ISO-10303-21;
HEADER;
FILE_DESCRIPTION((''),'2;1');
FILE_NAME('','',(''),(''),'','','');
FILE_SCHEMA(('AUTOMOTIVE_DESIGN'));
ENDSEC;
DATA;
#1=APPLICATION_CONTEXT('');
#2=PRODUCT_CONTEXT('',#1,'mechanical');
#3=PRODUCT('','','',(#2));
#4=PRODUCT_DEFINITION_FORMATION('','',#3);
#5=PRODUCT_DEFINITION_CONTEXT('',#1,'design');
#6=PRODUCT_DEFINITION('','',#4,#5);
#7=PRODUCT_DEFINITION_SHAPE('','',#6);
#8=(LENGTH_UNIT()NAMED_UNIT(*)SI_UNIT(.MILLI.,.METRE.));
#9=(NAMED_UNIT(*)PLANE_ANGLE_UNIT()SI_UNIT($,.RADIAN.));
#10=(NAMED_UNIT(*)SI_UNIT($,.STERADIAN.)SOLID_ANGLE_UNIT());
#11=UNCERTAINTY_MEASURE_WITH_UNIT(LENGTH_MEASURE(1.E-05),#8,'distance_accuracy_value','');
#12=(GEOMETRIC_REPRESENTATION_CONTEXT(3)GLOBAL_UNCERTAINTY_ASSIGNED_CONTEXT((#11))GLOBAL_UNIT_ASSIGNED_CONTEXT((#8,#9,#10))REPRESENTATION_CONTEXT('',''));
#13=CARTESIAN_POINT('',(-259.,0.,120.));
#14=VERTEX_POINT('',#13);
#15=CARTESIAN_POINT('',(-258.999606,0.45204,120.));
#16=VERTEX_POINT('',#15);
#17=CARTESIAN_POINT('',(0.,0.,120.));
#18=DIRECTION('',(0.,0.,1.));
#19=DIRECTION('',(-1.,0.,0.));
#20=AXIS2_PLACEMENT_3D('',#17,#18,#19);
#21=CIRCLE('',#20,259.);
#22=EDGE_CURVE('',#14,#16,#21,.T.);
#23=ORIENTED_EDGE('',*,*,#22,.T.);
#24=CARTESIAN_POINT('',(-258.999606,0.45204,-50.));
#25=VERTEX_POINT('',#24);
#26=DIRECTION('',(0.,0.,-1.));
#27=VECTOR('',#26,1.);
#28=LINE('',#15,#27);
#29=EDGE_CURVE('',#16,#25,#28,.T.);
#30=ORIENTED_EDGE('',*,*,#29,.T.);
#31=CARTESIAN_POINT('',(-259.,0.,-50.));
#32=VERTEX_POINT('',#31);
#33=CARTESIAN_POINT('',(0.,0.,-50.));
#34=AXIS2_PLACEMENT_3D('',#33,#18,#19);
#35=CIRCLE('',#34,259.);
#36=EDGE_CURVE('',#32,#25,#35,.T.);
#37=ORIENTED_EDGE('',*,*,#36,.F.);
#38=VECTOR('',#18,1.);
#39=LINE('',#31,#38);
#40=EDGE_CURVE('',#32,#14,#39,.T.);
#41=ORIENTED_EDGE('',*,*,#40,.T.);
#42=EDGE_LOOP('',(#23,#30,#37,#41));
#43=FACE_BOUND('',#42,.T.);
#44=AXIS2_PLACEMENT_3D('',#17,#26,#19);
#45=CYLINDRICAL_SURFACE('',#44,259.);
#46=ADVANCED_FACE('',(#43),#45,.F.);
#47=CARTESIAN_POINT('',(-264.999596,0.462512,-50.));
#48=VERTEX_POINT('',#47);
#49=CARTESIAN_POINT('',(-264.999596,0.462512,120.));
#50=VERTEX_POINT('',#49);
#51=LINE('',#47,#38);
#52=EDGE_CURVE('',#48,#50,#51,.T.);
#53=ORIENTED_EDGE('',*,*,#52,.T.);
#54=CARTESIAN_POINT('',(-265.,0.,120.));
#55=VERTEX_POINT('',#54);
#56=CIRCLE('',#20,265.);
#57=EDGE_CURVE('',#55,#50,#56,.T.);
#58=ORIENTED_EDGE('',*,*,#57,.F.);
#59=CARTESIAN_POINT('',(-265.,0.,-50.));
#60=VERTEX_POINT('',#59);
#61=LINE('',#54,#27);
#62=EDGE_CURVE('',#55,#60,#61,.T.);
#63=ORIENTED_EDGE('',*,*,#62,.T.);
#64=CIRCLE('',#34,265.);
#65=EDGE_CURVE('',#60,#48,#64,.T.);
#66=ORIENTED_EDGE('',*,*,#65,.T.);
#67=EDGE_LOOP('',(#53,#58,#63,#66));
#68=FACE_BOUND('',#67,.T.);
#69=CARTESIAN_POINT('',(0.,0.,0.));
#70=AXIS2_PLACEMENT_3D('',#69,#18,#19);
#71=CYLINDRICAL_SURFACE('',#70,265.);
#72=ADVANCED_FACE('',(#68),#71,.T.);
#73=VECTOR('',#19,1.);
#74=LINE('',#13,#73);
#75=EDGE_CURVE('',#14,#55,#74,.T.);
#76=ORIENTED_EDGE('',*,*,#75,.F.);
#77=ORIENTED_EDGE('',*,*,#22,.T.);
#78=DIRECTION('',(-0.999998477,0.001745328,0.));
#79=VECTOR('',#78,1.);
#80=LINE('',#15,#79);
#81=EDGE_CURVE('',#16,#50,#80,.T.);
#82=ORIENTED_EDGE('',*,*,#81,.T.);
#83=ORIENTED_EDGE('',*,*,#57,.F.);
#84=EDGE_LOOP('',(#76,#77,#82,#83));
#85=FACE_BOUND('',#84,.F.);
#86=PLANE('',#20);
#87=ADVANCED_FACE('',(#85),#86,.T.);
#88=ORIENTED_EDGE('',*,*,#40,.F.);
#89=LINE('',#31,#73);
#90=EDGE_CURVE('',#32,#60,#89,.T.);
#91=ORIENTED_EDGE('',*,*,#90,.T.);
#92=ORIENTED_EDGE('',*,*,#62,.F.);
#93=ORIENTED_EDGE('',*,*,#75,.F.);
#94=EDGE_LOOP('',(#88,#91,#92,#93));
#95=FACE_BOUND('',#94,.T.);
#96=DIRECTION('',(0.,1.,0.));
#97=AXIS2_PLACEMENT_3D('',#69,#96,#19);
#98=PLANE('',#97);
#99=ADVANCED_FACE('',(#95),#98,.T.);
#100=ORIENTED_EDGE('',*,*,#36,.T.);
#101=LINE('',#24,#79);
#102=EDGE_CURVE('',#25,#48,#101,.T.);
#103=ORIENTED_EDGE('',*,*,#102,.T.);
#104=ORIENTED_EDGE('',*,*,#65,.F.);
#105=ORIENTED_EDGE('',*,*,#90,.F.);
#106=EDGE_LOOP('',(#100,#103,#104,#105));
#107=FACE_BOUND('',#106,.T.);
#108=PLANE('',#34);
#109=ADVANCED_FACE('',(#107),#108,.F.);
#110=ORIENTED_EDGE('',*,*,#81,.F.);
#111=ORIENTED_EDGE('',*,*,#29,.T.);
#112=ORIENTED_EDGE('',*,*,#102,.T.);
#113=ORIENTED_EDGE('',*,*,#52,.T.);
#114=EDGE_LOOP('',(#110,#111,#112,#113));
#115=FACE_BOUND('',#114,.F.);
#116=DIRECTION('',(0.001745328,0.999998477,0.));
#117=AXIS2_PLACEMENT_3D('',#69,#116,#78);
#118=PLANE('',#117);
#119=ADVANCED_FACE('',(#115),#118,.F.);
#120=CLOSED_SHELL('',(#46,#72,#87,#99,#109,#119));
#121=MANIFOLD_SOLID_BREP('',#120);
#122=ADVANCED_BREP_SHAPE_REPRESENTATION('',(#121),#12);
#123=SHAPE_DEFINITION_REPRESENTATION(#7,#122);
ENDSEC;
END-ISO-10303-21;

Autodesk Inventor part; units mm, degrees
ref_plane "YZ Plane" through (0, 0, 0) normal (1, 0, 0) x (0, 1, 0)
ref_plane "XZ Plane" through (0, 0, 0) normal (0, 1, 0) x (-1, 0, 0)
ref_plane "XY Plane" through (0, 0, 0) normal (0, 0, 1) x (1, 0, 0)
sketch "Sketch1" plane through (0, 0, 0) normal (0, 1, 0) x (-1, 0, 0)
  line L0 (259, 120) -> (259, 0)
  line L1 (259, 0) -> (265, 0)
  line L2 (0, 0) -> (0, 109.131)
  line L3 (259, 120) -> (265, 120)
  line L4 (265, 0) -> (265, 120)
  line L5 (265, 0) -> (259, 0)
  line L6 (259, 0) -> (259, -50)
  line L7 (259, -50) -> (265, -50)
  line L8 (265, -50) -> (265, 0)
  point P0 (262, 0)
  point P1 (265, 0)
  point P2 (259, 0)
  dimension "d3" = 6
  dimension "d5" = 120
  dimension "d7" = 6
  dimension "d8" = 50
  dimension "d12" = 530
revolve "Revolution1" add sketch "Sketch1" angle 359.9 about axis through (0, 0, 0) along (0, 0, 1)
sketch "Sketch2" plane through (0, 0, 0) normal (0, 1, 0) x (-1, 0, 0)
  circle A0 centre (0, -606) radius 606
  point P0 (0, 0)
  dimension "d9" = 1212
extrude "Extrusion1" [suppressed]
equation "\"d5\" = Accsess_hatch_lenght"
equation "\"d7\" = d3"
equation "\"BendRadius\" = Thickness"
equation "\"BendReliefWidth\" = Thickness"
equation "\"BendReliefDepth\" = 0.5 * Thickness"
equation "\"CornerReliefSize\" = 4 * Thickness"
equation "\"MinimumRemnant\" = 2 * Thickness"
equation "\"TransitionRadius\" = BendRadius"
equation "\"JacobiRadiusSize\" = BendRadius"
equation "\"GapSize\" = Thickness"
equation "\"Accsess_hatch_lenght\" = 120"
equation "\"Thickness\" = 6"
properties part number "PNS-711 accses hatch tube" material "Steel"
